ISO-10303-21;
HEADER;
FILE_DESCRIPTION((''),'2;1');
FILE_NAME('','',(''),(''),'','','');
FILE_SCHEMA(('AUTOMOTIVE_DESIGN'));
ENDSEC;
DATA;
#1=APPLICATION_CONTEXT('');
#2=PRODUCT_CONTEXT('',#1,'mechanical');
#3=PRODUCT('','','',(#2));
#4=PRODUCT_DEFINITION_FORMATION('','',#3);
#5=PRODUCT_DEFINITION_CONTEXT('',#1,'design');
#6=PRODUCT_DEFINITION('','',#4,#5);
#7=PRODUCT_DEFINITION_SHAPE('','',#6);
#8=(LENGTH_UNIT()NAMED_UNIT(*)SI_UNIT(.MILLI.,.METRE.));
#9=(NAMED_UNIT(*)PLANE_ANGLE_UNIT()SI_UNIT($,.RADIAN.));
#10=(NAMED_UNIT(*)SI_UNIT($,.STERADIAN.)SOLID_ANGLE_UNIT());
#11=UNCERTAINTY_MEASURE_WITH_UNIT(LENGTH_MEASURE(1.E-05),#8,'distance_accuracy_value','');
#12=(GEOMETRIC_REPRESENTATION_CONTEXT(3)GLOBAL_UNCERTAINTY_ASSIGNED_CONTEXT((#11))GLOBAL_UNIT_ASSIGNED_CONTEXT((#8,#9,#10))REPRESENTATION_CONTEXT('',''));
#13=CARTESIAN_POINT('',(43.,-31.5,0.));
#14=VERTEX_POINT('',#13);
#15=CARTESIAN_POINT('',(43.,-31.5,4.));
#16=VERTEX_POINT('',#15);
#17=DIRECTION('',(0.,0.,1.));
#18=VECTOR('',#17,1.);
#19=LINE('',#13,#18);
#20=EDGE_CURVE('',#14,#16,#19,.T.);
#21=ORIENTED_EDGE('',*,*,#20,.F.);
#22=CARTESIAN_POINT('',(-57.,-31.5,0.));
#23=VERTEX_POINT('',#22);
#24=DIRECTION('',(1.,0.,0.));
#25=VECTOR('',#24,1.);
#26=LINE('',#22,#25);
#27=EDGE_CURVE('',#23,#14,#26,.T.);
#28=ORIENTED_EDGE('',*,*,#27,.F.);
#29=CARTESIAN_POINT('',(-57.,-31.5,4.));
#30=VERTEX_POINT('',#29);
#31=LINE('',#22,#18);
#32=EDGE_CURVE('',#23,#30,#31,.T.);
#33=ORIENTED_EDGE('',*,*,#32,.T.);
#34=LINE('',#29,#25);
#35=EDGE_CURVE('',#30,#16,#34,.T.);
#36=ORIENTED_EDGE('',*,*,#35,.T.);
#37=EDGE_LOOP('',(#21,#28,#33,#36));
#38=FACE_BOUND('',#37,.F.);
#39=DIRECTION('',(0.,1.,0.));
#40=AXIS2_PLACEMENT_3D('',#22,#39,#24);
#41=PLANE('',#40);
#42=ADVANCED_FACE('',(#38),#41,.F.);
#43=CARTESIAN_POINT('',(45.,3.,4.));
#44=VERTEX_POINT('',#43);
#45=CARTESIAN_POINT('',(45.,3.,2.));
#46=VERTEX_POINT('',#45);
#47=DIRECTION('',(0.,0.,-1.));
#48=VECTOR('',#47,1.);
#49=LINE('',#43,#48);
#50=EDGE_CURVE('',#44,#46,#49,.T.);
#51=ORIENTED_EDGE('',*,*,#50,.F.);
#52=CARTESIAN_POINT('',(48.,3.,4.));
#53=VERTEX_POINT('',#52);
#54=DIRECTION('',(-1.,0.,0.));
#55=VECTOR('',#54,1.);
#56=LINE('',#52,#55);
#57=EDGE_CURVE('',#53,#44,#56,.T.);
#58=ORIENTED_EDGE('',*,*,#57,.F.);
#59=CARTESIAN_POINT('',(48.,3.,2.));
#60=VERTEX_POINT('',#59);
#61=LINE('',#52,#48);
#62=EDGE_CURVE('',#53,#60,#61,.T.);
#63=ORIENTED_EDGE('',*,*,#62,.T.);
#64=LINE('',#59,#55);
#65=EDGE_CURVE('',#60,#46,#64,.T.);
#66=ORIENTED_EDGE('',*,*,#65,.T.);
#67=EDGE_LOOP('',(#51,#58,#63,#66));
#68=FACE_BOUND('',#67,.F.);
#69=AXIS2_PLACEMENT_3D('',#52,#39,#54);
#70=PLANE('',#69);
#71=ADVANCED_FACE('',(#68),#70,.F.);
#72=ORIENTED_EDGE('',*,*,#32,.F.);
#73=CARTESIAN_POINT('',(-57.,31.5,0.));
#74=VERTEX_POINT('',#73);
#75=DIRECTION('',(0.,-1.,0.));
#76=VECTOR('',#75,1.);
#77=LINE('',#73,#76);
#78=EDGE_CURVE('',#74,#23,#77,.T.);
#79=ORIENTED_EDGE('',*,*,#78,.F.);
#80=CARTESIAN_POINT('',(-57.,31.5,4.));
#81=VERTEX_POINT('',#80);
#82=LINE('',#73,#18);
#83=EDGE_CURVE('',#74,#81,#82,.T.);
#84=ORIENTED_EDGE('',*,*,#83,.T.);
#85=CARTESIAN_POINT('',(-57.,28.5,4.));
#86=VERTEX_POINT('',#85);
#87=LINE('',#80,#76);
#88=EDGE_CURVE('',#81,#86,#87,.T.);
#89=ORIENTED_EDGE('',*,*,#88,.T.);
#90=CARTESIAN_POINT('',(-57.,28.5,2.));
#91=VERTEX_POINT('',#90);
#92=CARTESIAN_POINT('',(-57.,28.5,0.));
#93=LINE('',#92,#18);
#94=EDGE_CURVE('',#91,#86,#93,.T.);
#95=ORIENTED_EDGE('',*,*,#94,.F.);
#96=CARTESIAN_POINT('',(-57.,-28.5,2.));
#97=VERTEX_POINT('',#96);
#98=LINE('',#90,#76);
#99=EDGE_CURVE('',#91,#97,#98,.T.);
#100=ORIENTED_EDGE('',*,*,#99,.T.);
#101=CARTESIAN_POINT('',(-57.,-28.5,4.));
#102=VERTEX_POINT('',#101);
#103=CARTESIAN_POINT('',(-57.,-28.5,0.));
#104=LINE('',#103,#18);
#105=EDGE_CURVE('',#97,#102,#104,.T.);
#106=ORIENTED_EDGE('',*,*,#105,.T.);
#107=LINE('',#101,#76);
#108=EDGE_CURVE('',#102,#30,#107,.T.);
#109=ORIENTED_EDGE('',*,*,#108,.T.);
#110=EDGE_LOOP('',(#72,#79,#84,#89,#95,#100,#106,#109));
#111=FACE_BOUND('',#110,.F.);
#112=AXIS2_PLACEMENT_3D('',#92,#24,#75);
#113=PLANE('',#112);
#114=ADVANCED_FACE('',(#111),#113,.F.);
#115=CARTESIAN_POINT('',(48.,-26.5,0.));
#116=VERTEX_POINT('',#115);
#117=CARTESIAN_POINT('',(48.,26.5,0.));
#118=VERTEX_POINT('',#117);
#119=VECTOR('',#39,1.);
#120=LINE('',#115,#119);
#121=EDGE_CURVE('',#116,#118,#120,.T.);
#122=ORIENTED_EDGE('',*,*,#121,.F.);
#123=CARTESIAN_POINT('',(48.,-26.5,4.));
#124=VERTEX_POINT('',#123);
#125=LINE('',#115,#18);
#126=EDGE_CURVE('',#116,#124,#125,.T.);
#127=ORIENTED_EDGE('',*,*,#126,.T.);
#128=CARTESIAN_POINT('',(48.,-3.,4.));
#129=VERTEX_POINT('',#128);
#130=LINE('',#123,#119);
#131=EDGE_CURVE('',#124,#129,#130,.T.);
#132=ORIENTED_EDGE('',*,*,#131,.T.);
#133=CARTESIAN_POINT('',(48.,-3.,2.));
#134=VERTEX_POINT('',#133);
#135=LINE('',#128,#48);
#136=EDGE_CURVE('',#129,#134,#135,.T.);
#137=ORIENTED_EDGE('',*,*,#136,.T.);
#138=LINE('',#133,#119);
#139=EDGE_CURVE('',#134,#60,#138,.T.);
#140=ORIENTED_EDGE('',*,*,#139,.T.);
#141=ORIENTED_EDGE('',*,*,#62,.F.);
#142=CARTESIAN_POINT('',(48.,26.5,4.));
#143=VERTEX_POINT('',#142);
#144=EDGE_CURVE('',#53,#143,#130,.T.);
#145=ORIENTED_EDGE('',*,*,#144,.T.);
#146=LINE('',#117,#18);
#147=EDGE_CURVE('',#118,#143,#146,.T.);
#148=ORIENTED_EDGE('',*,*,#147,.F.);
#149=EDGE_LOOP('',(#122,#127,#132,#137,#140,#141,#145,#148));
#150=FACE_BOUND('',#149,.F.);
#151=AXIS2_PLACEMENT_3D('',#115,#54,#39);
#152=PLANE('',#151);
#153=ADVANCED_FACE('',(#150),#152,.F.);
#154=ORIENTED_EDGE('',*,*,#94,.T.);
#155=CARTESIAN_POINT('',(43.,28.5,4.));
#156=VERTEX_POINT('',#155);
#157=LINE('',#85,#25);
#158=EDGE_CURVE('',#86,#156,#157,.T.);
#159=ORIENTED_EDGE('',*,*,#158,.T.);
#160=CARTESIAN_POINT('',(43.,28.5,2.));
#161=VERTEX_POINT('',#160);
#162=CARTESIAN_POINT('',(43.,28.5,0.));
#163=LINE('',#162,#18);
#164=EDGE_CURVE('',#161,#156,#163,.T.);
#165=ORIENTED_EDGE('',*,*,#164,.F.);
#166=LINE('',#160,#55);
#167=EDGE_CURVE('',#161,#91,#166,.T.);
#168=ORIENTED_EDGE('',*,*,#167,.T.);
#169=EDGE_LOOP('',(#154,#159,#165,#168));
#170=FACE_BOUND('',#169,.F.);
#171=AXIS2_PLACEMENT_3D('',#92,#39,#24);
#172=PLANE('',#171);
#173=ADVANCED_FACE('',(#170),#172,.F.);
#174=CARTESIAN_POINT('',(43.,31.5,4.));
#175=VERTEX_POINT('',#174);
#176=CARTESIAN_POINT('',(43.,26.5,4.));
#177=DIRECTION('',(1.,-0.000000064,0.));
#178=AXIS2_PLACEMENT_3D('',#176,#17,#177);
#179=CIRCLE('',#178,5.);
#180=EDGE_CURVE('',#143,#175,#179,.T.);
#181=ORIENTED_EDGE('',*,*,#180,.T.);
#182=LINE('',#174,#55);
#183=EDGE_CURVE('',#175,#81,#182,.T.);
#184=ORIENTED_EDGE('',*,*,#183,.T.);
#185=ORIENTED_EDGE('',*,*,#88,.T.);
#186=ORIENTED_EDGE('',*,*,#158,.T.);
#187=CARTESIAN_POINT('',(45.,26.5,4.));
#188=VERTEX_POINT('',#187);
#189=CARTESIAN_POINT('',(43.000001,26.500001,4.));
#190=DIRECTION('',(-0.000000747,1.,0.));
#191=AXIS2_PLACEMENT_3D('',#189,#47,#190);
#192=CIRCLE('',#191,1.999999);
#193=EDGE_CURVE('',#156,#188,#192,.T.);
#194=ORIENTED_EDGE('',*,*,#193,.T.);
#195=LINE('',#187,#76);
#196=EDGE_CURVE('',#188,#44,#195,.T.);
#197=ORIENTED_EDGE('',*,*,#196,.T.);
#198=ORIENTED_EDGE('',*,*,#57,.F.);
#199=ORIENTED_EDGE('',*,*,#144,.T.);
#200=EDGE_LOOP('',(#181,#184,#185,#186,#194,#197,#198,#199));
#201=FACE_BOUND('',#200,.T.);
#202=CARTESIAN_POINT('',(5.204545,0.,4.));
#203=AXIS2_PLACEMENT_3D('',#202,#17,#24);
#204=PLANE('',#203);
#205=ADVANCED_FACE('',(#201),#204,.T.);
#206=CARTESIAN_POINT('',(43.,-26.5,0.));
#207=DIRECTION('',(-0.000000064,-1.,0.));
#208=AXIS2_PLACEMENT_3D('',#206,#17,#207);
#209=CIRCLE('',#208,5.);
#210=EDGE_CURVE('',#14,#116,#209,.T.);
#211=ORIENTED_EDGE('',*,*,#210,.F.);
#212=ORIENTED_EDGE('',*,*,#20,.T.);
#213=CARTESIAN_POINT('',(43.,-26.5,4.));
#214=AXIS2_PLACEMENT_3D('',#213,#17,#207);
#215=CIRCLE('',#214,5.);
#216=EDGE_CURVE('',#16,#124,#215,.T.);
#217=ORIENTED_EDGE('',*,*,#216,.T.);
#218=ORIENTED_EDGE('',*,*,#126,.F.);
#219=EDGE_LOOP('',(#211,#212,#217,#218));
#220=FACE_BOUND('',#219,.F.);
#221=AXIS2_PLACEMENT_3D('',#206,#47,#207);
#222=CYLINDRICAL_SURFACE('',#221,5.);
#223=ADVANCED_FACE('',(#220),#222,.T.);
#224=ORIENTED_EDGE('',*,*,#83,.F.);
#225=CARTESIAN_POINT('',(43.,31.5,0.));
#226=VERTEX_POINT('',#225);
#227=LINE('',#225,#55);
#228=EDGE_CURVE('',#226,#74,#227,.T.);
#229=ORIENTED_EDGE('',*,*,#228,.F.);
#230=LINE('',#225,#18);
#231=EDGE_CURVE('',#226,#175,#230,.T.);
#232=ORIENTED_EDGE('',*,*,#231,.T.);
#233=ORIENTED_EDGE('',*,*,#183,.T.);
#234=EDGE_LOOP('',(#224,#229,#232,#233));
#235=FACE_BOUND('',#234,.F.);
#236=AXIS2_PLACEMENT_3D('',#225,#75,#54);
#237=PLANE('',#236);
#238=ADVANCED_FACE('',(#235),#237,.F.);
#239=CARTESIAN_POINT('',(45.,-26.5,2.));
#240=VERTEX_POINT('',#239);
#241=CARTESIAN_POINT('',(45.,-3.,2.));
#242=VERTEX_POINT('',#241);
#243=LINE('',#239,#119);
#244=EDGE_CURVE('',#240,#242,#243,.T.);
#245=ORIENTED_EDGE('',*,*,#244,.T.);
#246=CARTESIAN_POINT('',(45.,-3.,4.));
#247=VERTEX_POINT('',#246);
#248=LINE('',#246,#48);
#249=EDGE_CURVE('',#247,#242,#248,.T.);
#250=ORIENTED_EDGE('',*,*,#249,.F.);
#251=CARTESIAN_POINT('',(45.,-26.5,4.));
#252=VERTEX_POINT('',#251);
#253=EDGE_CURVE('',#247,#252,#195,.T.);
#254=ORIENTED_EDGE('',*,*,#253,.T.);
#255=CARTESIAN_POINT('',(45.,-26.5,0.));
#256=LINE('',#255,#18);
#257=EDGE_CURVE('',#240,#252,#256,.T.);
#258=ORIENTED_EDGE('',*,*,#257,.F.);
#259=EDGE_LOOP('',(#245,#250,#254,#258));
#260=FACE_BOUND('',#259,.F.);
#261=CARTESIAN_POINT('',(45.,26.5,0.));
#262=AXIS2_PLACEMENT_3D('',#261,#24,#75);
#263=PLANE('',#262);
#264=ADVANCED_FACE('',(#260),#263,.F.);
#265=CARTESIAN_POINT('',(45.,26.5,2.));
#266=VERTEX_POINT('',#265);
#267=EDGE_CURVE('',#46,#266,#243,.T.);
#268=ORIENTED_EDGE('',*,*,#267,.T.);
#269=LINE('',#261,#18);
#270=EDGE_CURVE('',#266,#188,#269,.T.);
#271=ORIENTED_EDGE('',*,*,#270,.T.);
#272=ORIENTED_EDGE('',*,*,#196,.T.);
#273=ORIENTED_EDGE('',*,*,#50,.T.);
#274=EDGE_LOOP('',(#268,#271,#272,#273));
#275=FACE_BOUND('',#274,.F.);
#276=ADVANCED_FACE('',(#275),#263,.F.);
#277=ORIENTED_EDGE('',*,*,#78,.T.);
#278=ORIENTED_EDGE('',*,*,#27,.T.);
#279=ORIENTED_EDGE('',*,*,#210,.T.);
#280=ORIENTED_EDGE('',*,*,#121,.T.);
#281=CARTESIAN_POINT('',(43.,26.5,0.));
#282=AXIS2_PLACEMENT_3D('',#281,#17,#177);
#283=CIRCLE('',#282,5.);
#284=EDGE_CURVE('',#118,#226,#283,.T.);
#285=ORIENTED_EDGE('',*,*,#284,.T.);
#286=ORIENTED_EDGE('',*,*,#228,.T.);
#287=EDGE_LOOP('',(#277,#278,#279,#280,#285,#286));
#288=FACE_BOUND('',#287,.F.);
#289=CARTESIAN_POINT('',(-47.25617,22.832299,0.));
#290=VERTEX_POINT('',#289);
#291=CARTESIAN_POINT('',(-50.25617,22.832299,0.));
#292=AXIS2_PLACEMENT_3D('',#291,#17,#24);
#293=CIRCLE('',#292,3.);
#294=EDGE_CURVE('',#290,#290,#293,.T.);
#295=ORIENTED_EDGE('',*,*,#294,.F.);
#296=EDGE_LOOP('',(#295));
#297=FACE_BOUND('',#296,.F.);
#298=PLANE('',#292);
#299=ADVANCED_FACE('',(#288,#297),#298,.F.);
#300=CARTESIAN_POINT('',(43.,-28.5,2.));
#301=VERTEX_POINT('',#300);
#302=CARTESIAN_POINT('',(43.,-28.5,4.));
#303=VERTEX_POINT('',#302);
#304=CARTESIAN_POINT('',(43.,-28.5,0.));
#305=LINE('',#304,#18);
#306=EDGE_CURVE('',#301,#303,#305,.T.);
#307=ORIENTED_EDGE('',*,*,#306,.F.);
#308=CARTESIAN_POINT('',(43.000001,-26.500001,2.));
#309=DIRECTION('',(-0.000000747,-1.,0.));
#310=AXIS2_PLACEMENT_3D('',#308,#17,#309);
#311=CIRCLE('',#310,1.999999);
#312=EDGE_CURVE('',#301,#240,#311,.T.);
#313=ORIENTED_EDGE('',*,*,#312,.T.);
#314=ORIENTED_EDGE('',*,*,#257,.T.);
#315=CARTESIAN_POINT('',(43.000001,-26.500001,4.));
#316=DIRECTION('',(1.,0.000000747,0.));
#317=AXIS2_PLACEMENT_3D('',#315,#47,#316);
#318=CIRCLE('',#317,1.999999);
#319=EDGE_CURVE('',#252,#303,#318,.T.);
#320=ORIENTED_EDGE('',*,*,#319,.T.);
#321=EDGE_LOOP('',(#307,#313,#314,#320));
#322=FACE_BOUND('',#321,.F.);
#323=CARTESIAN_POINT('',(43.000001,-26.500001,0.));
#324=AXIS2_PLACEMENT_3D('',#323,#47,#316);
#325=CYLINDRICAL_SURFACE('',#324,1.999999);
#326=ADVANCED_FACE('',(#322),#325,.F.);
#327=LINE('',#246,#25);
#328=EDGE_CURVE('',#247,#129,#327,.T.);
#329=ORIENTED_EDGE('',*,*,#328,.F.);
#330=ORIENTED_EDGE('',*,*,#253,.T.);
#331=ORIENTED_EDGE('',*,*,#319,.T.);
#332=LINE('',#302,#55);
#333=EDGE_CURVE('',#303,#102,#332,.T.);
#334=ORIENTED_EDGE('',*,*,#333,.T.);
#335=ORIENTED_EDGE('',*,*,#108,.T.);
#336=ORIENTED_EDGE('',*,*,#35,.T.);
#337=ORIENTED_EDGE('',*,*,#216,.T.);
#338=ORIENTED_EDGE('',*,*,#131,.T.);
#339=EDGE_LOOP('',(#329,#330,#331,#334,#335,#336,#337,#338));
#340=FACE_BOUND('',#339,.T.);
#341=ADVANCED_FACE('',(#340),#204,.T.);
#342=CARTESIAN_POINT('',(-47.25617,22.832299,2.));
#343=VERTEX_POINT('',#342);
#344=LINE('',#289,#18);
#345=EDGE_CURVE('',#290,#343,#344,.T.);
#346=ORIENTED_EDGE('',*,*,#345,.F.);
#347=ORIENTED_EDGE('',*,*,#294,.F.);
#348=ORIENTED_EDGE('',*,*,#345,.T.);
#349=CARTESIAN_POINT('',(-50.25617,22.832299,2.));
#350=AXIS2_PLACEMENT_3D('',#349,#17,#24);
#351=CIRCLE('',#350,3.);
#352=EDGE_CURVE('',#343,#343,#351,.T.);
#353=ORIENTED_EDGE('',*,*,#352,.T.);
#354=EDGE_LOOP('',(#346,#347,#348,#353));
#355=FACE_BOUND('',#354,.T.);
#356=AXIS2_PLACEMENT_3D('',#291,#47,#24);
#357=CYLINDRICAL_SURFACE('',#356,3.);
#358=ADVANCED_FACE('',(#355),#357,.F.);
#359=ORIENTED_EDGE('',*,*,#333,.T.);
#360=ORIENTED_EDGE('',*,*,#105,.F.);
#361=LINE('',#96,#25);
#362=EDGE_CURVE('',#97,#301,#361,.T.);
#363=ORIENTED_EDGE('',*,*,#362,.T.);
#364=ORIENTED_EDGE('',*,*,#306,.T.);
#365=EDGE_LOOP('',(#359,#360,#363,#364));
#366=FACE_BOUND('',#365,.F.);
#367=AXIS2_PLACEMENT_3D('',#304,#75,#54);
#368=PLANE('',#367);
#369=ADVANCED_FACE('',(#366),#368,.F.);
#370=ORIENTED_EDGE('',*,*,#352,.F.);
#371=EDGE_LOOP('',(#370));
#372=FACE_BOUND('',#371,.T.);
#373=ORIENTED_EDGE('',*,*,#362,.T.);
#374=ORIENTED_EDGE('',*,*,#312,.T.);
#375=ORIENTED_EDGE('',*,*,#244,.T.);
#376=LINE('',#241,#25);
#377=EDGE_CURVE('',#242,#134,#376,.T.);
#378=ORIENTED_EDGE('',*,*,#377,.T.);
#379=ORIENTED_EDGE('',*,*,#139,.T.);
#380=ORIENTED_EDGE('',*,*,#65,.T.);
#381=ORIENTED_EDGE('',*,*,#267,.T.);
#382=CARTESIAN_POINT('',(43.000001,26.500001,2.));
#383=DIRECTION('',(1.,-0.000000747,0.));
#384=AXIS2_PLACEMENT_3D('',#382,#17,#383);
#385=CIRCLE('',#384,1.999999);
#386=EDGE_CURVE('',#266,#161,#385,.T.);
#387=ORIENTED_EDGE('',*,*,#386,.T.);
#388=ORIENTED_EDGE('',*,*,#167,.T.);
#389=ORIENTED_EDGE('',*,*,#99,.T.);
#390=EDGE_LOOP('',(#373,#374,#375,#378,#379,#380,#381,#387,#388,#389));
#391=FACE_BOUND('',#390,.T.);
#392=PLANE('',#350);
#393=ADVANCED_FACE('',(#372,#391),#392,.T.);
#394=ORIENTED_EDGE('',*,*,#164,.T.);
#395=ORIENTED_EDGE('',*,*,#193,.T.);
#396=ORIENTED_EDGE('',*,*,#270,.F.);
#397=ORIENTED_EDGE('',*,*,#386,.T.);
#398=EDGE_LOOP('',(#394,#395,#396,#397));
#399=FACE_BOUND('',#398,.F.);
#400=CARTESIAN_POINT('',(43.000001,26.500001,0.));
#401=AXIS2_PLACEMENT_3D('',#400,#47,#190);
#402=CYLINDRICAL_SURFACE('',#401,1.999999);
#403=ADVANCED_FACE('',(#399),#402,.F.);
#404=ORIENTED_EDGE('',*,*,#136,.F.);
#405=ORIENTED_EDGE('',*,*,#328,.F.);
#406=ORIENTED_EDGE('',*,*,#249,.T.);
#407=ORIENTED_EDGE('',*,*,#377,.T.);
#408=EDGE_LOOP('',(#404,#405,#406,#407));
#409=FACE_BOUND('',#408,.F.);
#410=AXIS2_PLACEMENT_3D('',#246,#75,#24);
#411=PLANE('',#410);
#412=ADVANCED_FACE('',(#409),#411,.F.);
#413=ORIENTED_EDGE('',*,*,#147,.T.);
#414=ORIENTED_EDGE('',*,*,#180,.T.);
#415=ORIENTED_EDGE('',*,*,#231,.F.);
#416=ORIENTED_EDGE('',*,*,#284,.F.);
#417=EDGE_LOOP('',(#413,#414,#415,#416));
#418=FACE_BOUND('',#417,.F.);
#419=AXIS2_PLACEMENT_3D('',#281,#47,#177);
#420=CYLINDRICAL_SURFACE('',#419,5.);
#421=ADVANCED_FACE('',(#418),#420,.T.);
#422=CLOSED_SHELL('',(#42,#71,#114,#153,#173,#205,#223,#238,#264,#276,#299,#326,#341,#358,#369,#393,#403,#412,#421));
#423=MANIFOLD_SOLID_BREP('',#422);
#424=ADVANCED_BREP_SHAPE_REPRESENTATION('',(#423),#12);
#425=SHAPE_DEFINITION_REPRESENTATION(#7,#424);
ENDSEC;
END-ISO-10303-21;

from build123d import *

# Parameters (mm, degrees)
F0_R     = 3
F1_DEPTH = 2
F2_DEPTH = 4
F4_DEPTH = 2
F5_DEPTH = 3


with BuildPart() as f1:
    # F0 (on Top) → F1 (new body)
    with BuildSketch(Plane.XY):
        with Locations((-50.25617, 22.832299)):
            Circle(F0_R)
        with BuildLine():
            Line((-57, -28.5), (43, -28.5))
            ThreePointArc((43, -28.5), (44.414214, -27.914214), (45, -26.5))
            Line((45, -26.5), (45, 26.5))
            ThreePointArc((45, 26.5), (44.414214, 27.914214), (43, 28.5))
            Line((43, 28.5), (-57, 28.5))
            Line((-57, 28.5), (-57, -28.5))
        make_face()
        with Locations((-50.25617, 22.832299)):
            Circle(F0_R, mode=Mode.SUBTRACT)
        with BuildLine():
            ThreePointArc((44, -26.5), (43.707107, -27.207107), (43, -27.5))
            Line((43, -27.5), (-43, -27.5))
            ThreePointArc((-43, -27.5), (-43.707107, -27.207107), (-44, -26.5))
            Line((-44, -26.5), (-44, 26.5))
            ThreePointArc((-44, 26.5), (-43.707107, 27.207107), (-43, 27.5))
            Line((-43, 27.5), (43, 27.5))
            ThreePointArc((43, 27.5), (43.707107, 27.207107), (44, 26.5))
            Line((44, 26.5), (44, -26.5))
        make_face(mode=Mode.SUBTRACT)
        with BuildLine():
            Line((-43, -27.5), (43, -27.5))
            ThreePointArc((43, -27.5), (43.707107, -27.207107), (44, -26.5))
            Line((44, -26.5), (44, 26.5))
            ThreePointArc((44, 26.5), (43.707107, 27.207107), (43, 27.5))
            Line((43, 27.5), (-43, 27.5))
            ThreePointArc((-43, 27.5), (-43.707107, 27.207107), (-44, 26.5))
            Line((-44, 26.5), (-44, -26.5))
            ThreePointArc((-44, -26.5), (-43.707107, -27.207107), (-43, -27.5))
        make_face()
    extrude(amount=F1_DEPTH)

    # F0 (on Top) → F2 (join)
    with BuildSketch(Plane.XY):
        with BuildLine():
            ThreePointArc((45, -26.5), (44.414214, -27.914214), (43, -28.5))
            Line((43, -28.5), (-57, -28.5))
            Line((-57, -28.5), (-57, -31.5))
            Line((-57, -31.5), (43, -31.5))
            ThreePointArc((43, -31.5), (46.535534, -30.035534), (48, -26.5))
            Line((48, -26.5), (48, 26.5))
            ThreePointArc((48, 26.5), (46.535534, 30.035534), (43, 31.5))
            Line((43, 31.5), (-57, 31.5))
            Line((-57, 31.5), (-57, 28.5))
            Line((-57, 28.5), (43, 28.5))
            ThreePointArc((43, 28.5), (44.414214, 27.914214), (45, 26.5))
            Line((45, 26.5), (45, -26.5))
        make_face()
    extrude(amount=F2_DEPTH)

    # F3 (on face) → F4 (cut)
    with BuildSketch(Plane.XY.offset(4)):
        Polygon((45, 3), (45, 0), (45, -3), (48, -3), (48, 0), (48, 3), align=None)
    extrude(amount=-F4_DEPTH, mode=Mode.SUBTRACT)

    # F0 (on Top) → F5 (cut)
    with BuildSketch(Plane.XY):
        with Locations((-50.25617, 22.832299)):
            Circle(F0_R)
    extrude(amount=F5_DEPTH, mode=Mode.SUBTRACT)


solid = f1.part
